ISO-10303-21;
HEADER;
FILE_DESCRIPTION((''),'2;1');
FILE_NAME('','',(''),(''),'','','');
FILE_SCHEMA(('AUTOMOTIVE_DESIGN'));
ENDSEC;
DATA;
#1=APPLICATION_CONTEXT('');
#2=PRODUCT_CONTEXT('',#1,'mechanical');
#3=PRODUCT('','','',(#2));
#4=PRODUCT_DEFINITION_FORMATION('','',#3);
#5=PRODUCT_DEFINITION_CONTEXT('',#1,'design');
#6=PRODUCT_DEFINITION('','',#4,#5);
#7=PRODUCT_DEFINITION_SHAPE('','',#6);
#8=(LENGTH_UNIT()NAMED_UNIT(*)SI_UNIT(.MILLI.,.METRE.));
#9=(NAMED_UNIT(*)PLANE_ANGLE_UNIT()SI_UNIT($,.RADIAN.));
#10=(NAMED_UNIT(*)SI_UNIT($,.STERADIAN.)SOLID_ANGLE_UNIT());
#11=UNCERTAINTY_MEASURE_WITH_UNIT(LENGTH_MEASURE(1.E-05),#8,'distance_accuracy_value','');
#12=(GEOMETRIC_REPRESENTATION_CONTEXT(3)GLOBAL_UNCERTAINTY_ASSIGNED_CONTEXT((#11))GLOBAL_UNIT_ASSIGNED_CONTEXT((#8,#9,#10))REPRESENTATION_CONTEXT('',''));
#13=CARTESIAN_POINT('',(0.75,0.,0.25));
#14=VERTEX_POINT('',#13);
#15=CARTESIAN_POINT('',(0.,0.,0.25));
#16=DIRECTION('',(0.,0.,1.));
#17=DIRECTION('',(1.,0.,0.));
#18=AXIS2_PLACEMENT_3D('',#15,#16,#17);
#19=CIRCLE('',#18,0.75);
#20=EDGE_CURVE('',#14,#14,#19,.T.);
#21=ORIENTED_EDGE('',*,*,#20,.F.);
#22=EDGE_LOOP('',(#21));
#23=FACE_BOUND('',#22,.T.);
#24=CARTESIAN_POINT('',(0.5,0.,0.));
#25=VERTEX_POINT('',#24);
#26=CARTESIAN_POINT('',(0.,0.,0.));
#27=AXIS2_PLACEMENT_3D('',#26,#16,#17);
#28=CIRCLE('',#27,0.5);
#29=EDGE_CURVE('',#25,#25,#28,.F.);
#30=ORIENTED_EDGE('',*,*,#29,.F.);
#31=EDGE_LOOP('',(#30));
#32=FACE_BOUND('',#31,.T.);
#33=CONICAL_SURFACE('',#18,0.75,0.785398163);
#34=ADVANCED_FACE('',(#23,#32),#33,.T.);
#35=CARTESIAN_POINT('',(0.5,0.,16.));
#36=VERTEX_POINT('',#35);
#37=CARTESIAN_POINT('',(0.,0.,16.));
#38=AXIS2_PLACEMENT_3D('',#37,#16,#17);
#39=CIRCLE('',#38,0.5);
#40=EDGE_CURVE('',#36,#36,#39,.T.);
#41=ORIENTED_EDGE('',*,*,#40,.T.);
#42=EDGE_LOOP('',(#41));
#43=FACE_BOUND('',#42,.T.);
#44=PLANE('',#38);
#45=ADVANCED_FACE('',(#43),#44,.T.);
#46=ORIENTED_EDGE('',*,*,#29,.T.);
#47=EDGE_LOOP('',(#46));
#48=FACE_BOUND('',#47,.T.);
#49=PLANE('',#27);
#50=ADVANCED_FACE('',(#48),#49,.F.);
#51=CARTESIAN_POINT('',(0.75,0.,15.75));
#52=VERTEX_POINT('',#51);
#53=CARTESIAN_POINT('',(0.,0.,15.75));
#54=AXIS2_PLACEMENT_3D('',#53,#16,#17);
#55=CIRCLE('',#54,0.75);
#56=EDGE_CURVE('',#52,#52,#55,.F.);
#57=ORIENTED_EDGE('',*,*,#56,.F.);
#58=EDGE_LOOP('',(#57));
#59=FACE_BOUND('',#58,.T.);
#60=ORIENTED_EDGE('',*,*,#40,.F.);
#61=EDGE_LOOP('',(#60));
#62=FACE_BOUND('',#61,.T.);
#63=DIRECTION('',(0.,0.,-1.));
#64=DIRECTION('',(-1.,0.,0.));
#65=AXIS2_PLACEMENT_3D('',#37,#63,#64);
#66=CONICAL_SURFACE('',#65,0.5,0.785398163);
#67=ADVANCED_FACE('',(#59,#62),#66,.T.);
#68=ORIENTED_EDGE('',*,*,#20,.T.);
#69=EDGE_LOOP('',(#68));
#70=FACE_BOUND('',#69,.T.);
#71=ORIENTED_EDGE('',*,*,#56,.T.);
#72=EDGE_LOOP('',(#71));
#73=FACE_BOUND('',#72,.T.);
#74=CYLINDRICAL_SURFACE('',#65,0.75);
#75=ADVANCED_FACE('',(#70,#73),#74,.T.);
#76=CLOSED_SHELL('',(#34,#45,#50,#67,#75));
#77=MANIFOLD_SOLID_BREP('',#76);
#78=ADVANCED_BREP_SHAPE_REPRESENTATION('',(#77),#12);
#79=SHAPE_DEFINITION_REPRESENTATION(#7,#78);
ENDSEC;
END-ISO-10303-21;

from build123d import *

# Parameters (mm, degrees)
SKETCH1_R           = 0.75
BOSS_EXTRUDE1_DEPTH = 16
CHAMFER1_SIZE       = 0.25


with BuildPart() as part:
    # Sketch1 → Boss-Extrude1 (new body)
    with BuildSketch(Plane.XY):
        Circle(SKETCH1_R)
    extrude(amount=BOSS_EXTRUDE1_DEPTH)

    # Chamfer1
    chamfer1_edges = [part.edges().sort_by_distance(p)[0] for p in [
        (-0.75, 0, 0),
        (-0.75, 0, 16),
    ]]
    chamfer(chamfer1_edges, length=CHAMFER1_SIZE)


solid = part.part
